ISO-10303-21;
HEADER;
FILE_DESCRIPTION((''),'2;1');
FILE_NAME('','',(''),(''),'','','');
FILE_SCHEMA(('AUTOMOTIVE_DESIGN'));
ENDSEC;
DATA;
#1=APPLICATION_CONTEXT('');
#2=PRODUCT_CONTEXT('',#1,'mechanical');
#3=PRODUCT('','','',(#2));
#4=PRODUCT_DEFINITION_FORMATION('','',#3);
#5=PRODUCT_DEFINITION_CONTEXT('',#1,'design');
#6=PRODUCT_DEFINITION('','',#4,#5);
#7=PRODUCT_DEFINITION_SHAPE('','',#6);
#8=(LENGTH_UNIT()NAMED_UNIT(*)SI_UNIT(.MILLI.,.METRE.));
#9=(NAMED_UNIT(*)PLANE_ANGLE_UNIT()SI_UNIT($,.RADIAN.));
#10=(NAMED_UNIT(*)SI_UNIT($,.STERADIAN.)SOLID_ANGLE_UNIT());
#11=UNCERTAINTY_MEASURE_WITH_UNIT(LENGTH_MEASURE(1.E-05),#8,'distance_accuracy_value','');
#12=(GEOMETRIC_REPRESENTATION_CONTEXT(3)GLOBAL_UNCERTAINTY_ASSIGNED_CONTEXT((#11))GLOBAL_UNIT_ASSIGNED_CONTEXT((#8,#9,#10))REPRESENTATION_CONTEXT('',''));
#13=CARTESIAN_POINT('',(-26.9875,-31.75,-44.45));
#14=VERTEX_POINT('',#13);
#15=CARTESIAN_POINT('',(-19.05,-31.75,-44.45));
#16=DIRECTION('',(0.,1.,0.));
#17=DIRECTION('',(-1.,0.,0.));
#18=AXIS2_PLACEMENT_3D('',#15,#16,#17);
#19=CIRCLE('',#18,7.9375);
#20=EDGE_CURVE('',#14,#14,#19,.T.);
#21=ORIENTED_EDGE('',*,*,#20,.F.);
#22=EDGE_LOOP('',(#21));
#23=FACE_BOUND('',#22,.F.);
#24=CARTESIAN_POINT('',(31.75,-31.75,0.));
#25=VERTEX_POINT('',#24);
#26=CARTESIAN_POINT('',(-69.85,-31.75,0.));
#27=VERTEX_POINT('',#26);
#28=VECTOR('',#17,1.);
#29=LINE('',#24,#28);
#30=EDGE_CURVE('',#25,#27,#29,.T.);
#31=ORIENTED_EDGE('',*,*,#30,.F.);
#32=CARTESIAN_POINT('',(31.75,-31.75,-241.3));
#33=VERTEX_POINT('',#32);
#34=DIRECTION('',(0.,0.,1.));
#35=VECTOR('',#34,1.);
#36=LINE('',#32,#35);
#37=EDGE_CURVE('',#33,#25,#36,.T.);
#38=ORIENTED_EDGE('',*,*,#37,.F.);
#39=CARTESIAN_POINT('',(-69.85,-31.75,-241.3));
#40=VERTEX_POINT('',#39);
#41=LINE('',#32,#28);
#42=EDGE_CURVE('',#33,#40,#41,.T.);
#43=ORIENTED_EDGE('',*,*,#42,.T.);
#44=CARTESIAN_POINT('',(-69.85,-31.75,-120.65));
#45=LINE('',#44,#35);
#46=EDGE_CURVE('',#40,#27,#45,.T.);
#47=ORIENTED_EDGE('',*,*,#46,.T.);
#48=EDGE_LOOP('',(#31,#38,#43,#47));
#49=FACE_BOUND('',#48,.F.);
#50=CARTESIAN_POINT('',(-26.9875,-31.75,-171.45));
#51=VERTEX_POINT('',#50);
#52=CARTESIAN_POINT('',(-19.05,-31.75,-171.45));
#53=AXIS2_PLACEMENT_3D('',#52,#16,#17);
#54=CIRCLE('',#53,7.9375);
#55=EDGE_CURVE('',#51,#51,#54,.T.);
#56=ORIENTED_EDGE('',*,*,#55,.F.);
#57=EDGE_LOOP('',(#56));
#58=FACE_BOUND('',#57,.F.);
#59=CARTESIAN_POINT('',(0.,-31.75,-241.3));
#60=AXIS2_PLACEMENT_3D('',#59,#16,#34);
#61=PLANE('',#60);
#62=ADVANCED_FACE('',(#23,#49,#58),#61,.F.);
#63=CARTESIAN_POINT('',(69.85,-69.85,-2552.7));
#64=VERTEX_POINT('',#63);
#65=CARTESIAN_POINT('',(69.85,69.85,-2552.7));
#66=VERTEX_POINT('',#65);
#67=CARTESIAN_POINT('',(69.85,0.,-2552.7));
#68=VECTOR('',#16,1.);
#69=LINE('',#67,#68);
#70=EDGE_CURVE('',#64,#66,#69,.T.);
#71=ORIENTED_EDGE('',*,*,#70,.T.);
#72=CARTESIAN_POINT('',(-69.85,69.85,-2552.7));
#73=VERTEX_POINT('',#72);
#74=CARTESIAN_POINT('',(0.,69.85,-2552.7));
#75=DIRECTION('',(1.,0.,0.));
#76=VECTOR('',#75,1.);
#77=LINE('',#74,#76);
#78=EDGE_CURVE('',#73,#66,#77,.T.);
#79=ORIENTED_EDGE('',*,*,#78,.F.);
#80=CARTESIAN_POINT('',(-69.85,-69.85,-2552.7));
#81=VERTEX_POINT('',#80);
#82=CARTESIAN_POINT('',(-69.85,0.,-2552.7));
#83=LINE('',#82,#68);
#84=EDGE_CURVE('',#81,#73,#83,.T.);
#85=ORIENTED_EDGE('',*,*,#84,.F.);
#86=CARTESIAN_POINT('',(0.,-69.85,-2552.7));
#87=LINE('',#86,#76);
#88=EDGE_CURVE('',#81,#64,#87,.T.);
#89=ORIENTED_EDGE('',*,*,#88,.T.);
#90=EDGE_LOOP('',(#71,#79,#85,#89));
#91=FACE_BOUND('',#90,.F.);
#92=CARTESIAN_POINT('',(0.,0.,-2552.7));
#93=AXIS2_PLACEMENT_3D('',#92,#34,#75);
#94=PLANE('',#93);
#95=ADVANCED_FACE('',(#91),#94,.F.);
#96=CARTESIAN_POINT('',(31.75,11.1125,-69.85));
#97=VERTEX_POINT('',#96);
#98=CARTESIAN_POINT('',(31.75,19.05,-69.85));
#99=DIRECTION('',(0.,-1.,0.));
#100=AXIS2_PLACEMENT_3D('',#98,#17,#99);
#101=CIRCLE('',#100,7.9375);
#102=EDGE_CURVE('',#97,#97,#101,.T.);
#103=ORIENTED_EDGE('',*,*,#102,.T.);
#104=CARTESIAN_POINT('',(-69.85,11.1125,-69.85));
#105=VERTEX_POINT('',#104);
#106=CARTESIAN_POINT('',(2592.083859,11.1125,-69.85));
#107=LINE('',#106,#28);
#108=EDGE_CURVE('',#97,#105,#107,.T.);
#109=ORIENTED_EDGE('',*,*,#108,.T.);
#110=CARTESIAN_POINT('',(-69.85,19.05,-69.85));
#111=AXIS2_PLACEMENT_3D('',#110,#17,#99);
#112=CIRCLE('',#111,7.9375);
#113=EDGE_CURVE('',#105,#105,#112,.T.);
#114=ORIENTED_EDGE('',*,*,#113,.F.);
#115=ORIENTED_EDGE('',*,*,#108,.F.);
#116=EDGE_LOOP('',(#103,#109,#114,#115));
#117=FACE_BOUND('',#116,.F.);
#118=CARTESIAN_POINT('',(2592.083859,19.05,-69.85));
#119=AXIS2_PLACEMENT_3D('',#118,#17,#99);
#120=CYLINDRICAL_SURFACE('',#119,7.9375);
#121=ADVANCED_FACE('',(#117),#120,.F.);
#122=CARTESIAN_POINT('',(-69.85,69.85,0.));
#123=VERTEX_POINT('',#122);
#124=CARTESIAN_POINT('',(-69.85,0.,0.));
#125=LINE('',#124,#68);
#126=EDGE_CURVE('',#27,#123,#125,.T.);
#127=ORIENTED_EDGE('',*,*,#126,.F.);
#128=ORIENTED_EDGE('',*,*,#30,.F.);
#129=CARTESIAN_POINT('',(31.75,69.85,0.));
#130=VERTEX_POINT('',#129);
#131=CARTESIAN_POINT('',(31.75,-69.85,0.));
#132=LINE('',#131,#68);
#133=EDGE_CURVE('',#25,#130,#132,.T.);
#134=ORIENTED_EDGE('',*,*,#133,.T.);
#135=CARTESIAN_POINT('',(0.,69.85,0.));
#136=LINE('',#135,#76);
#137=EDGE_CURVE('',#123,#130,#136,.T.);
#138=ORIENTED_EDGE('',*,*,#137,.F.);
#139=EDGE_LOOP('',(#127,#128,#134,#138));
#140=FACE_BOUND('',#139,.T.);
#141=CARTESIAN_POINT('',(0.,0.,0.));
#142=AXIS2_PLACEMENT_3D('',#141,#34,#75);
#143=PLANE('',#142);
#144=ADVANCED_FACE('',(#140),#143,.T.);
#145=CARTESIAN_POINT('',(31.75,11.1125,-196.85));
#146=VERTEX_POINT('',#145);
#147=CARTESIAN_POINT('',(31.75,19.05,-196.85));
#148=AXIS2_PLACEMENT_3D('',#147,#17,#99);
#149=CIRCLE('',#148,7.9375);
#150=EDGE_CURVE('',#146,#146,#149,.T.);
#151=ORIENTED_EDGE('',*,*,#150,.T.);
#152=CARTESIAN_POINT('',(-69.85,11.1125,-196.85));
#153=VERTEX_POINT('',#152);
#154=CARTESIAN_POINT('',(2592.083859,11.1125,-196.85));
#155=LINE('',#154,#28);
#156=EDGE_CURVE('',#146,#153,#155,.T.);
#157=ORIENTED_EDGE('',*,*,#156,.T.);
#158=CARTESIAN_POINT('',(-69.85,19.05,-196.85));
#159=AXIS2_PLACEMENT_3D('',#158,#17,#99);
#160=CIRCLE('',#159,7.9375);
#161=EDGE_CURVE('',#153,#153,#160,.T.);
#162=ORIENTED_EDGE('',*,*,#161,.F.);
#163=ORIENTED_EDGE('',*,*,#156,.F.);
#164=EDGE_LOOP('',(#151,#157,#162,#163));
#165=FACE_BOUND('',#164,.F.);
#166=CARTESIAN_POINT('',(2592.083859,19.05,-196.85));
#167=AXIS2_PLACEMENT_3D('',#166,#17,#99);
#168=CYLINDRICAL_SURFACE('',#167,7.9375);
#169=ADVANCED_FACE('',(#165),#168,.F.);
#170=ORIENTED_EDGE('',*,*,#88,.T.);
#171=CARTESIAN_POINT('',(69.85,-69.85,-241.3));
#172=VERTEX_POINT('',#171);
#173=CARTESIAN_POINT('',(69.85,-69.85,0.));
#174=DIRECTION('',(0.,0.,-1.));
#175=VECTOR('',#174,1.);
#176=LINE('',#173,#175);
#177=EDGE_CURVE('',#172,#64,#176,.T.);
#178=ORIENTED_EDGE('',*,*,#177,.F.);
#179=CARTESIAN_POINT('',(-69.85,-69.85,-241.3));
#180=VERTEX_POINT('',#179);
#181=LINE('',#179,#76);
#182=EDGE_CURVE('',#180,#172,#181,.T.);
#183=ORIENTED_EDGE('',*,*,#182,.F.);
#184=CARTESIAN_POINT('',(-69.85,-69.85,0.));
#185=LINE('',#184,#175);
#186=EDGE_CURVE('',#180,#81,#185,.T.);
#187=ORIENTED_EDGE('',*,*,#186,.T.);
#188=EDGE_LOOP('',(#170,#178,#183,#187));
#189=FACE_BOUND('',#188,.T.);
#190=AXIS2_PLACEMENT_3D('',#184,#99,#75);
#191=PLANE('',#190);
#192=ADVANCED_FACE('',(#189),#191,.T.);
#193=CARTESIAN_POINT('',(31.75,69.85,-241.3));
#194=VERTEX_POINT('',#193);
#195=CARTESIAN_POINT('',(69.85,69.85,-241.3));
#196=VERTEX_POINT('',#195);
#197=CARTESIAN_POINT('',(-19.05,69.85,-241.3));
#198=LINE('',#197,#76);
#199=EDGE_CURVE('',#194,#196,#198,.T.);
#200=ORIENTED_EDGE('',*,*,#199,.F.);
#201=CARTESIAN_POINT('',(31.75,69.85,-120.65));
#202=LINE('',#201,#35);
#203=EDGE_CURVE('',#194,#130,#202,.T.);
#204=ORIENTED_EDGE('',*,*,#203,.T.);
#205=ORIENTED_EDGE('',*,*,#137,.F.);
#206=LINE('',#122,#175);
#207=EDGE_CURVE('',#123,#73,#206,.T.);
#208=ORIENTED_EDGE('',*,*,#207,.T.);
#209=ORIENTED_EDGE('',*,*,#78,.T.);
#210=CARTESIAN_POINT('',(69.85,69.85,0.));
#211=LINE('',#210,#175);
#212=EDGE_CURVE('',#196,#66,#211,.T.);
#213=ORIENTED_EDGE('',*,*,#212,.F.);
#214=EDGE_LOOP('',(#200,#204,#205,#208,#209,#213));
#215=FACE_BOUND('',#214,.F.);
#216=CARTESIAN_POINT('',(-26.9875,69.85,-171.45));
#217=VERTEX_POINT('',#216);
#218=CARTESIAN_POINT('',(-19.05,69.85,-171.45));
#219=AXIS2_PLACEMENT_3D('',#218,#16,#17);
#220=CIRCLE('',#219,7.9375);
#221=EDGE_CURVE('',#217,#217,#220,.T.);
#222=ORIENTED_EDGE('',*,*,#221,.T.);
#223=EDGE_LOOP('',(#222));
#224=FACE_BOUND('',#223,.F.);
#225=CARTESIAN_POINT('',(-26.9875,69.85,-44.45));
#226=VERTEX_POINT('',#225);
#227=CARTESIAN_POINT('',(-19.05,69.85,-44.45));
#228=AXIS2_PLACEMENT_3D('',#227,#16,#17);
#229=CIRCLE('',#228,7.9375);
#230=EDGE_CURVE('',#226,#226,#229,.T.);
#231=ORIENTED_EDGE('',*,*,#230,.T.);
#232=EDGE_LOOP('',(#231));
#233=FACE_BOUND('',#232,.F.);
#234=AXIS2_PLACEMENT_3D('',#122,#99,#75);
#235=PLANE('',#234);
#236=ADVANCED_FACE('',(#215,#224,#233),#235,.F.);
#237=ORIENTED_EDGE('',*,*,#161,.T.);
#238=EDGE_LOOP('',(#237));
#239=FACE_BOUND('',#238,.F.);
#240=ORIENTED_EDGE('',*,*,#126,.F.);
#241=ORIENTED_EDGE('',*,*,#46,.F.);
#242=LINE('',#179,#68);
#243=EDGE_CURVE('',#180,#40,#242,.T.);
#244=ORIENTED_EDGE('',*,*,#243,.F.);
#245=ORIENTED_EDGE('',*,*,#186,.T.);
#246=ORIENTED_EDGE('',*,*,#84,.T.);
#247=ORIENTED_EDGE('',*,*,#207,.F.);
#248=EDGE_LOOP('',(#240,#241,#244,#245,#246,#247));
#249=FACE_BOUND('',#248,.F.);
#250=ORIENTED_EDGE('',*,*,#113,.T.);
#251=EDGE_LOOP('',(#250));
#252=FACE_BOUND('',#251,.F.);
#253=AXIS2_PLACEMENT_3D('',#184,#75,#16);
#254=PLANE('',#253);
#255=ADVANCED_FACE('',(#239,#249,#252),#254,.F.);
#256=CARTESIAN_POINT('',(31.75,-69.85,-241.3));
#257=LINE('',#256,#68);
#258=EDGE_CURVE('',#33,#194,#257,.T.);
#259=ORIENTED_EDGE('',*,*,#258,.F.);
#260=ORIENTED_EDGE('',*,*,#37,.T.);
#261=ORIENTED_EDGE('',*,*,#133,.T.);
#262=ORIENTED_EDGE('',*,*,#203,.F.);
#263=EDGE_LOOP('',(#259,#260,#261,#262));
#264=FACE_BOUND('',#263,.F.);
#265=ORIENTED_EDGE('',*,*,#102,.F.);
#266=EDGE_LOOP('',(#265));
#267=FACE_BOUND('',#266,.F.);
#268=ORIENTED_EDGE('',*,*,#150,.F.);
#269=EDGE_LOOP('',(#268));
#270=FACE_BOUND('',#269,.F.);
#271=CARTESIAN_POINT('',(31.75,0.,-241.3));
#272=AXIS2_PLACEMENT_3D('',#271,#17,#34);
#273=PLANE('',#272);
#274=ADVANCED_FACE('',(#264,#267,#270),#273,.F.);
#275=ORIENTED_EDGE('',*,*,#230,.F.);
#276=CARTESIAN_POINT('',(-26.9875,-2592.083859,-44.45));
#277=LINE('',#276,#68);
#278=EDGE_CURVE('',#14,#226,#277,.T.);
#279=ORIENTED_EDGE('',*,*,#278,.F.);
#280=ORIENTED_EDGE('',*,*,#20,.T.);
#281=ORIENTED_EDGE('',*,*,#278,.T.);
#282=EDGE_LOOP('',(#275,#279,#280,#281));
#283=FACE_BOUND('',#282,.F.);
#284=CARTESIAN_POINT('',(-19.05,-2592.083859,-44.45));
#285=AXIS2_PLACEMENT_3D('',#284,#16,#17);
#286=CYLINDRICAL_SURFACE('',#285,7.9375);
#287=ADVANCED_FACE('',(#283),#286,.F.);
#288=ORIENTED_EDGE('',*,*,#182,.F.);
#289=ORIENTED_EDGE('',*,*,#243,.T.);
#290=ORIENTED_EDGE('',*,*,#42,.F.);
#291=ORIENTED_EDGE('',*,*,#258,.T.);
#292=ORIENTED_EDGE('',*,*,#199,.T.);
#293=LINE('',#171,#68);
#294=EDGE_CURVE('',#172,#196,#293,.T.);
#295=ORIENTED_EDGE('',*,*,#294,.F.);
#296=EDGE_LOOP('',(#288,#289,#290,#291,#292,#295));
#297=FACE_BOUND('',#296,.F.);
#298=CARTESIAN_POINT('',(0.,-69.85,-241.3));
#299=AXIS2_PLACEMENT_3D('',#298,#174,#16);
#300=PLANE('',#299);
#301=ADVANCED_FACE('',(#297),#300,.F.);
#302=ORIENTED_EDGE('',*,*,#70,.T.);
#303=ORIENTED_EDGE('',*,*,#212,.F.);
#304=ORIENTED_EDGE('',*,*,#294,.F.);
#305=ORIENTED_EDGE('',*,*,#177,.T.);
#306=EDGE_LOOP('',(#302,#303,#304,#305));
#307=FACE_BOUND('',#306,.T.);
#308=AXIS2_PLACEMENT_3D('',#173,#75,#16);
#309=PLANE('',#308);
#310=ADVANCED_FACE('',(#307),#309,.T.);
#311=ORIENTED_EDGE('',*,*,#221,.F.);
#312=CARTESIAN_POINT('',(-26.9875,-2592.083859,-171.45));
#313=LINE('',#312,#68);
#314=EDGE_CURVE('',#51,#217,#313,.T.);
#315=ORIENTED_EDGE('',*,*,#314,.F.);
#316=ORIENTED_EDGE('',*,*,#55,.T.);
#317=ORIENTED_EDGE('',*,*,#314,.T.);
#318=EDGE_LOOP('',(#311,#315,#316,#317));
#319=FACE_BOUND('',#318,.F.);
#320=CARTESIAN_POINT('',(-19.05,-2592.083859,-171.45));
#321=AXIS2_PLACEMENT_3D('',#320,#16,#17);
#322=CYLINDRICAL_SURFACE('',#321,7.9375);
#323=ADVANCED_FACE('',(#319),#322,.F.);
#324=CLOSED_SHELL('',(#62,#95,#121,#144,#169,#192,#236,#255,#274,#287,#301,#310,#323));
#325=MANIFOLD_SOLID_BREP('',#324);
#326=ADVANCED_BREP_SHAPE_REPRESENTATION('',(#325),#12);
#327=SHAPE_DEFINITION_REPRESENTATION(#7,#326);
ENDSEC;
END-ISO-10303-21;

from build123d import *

# Parameters (mm, degrees)
F0_W          = 139.7
F0_H          = 139.7
F1_DEPTH      = 2552.7
F2_W          = 38.1
F2_H          = 241.3
F3_DEPTH      = 69.851
F3_DEPTH_BACK = 69.851
F4_W          = 38.1
F4_H          = 241.3
F5_DEPTH      = 69.851
F5_DEPTH_BACK = 69.851
F7_D          = 15.875
F9_D          = 15.875


with BuildPart() as f1:
    # F0 (on Top) → F1 (new body)
    with BuildSketch(Plane.XY):
        Rectangle(F0_W, F0_H)
    extrude(amount=-F1_DEPTH)

    # F2 (on Front) → F3 (cut, two sides)
    with BuildSketch(Plane.XZ) as f3_sk:
        with Locations((50.8, -120.65)):
            Rectangle(F2_W, F2_H)
    extrude(amount=F3_DEPTH, mode=Mode.SUBTRACT)
    extrude(f3_sk.sketch, amount=-F3_DEPTH_BACK, mode=Mode.SUBTRACT)

    # F4 (on Right) → F5 (cut, two sides)
    with BuildSketch(Plane.YZ) as f5_sk:
        with Locations((-50.8, -120.65)):
            Rectangle(F4_W, F4_H)
    extrude(amount=F5_DEPTH, mode=Mode.SUBTRACT)
    extrude(f5_sk.sketch, amount=-F5_DEPTH_BACK, mode=Mode.SUBTRACT)

    # F7 (through all)
    with Locations(Plane.XZ.offset(31.75)):
        with Locations((-19.05, -44.45), (-19.05, -171.45)):
            Hole(F7_D / 2)

    # F9 (through all)
    with Locations(Plane.YZ.offset(31.75)):
        with Locations((19.05, -69.85), (19.05, -196.85)):
            Hole(F9_D / 2)


solid = f1.part
